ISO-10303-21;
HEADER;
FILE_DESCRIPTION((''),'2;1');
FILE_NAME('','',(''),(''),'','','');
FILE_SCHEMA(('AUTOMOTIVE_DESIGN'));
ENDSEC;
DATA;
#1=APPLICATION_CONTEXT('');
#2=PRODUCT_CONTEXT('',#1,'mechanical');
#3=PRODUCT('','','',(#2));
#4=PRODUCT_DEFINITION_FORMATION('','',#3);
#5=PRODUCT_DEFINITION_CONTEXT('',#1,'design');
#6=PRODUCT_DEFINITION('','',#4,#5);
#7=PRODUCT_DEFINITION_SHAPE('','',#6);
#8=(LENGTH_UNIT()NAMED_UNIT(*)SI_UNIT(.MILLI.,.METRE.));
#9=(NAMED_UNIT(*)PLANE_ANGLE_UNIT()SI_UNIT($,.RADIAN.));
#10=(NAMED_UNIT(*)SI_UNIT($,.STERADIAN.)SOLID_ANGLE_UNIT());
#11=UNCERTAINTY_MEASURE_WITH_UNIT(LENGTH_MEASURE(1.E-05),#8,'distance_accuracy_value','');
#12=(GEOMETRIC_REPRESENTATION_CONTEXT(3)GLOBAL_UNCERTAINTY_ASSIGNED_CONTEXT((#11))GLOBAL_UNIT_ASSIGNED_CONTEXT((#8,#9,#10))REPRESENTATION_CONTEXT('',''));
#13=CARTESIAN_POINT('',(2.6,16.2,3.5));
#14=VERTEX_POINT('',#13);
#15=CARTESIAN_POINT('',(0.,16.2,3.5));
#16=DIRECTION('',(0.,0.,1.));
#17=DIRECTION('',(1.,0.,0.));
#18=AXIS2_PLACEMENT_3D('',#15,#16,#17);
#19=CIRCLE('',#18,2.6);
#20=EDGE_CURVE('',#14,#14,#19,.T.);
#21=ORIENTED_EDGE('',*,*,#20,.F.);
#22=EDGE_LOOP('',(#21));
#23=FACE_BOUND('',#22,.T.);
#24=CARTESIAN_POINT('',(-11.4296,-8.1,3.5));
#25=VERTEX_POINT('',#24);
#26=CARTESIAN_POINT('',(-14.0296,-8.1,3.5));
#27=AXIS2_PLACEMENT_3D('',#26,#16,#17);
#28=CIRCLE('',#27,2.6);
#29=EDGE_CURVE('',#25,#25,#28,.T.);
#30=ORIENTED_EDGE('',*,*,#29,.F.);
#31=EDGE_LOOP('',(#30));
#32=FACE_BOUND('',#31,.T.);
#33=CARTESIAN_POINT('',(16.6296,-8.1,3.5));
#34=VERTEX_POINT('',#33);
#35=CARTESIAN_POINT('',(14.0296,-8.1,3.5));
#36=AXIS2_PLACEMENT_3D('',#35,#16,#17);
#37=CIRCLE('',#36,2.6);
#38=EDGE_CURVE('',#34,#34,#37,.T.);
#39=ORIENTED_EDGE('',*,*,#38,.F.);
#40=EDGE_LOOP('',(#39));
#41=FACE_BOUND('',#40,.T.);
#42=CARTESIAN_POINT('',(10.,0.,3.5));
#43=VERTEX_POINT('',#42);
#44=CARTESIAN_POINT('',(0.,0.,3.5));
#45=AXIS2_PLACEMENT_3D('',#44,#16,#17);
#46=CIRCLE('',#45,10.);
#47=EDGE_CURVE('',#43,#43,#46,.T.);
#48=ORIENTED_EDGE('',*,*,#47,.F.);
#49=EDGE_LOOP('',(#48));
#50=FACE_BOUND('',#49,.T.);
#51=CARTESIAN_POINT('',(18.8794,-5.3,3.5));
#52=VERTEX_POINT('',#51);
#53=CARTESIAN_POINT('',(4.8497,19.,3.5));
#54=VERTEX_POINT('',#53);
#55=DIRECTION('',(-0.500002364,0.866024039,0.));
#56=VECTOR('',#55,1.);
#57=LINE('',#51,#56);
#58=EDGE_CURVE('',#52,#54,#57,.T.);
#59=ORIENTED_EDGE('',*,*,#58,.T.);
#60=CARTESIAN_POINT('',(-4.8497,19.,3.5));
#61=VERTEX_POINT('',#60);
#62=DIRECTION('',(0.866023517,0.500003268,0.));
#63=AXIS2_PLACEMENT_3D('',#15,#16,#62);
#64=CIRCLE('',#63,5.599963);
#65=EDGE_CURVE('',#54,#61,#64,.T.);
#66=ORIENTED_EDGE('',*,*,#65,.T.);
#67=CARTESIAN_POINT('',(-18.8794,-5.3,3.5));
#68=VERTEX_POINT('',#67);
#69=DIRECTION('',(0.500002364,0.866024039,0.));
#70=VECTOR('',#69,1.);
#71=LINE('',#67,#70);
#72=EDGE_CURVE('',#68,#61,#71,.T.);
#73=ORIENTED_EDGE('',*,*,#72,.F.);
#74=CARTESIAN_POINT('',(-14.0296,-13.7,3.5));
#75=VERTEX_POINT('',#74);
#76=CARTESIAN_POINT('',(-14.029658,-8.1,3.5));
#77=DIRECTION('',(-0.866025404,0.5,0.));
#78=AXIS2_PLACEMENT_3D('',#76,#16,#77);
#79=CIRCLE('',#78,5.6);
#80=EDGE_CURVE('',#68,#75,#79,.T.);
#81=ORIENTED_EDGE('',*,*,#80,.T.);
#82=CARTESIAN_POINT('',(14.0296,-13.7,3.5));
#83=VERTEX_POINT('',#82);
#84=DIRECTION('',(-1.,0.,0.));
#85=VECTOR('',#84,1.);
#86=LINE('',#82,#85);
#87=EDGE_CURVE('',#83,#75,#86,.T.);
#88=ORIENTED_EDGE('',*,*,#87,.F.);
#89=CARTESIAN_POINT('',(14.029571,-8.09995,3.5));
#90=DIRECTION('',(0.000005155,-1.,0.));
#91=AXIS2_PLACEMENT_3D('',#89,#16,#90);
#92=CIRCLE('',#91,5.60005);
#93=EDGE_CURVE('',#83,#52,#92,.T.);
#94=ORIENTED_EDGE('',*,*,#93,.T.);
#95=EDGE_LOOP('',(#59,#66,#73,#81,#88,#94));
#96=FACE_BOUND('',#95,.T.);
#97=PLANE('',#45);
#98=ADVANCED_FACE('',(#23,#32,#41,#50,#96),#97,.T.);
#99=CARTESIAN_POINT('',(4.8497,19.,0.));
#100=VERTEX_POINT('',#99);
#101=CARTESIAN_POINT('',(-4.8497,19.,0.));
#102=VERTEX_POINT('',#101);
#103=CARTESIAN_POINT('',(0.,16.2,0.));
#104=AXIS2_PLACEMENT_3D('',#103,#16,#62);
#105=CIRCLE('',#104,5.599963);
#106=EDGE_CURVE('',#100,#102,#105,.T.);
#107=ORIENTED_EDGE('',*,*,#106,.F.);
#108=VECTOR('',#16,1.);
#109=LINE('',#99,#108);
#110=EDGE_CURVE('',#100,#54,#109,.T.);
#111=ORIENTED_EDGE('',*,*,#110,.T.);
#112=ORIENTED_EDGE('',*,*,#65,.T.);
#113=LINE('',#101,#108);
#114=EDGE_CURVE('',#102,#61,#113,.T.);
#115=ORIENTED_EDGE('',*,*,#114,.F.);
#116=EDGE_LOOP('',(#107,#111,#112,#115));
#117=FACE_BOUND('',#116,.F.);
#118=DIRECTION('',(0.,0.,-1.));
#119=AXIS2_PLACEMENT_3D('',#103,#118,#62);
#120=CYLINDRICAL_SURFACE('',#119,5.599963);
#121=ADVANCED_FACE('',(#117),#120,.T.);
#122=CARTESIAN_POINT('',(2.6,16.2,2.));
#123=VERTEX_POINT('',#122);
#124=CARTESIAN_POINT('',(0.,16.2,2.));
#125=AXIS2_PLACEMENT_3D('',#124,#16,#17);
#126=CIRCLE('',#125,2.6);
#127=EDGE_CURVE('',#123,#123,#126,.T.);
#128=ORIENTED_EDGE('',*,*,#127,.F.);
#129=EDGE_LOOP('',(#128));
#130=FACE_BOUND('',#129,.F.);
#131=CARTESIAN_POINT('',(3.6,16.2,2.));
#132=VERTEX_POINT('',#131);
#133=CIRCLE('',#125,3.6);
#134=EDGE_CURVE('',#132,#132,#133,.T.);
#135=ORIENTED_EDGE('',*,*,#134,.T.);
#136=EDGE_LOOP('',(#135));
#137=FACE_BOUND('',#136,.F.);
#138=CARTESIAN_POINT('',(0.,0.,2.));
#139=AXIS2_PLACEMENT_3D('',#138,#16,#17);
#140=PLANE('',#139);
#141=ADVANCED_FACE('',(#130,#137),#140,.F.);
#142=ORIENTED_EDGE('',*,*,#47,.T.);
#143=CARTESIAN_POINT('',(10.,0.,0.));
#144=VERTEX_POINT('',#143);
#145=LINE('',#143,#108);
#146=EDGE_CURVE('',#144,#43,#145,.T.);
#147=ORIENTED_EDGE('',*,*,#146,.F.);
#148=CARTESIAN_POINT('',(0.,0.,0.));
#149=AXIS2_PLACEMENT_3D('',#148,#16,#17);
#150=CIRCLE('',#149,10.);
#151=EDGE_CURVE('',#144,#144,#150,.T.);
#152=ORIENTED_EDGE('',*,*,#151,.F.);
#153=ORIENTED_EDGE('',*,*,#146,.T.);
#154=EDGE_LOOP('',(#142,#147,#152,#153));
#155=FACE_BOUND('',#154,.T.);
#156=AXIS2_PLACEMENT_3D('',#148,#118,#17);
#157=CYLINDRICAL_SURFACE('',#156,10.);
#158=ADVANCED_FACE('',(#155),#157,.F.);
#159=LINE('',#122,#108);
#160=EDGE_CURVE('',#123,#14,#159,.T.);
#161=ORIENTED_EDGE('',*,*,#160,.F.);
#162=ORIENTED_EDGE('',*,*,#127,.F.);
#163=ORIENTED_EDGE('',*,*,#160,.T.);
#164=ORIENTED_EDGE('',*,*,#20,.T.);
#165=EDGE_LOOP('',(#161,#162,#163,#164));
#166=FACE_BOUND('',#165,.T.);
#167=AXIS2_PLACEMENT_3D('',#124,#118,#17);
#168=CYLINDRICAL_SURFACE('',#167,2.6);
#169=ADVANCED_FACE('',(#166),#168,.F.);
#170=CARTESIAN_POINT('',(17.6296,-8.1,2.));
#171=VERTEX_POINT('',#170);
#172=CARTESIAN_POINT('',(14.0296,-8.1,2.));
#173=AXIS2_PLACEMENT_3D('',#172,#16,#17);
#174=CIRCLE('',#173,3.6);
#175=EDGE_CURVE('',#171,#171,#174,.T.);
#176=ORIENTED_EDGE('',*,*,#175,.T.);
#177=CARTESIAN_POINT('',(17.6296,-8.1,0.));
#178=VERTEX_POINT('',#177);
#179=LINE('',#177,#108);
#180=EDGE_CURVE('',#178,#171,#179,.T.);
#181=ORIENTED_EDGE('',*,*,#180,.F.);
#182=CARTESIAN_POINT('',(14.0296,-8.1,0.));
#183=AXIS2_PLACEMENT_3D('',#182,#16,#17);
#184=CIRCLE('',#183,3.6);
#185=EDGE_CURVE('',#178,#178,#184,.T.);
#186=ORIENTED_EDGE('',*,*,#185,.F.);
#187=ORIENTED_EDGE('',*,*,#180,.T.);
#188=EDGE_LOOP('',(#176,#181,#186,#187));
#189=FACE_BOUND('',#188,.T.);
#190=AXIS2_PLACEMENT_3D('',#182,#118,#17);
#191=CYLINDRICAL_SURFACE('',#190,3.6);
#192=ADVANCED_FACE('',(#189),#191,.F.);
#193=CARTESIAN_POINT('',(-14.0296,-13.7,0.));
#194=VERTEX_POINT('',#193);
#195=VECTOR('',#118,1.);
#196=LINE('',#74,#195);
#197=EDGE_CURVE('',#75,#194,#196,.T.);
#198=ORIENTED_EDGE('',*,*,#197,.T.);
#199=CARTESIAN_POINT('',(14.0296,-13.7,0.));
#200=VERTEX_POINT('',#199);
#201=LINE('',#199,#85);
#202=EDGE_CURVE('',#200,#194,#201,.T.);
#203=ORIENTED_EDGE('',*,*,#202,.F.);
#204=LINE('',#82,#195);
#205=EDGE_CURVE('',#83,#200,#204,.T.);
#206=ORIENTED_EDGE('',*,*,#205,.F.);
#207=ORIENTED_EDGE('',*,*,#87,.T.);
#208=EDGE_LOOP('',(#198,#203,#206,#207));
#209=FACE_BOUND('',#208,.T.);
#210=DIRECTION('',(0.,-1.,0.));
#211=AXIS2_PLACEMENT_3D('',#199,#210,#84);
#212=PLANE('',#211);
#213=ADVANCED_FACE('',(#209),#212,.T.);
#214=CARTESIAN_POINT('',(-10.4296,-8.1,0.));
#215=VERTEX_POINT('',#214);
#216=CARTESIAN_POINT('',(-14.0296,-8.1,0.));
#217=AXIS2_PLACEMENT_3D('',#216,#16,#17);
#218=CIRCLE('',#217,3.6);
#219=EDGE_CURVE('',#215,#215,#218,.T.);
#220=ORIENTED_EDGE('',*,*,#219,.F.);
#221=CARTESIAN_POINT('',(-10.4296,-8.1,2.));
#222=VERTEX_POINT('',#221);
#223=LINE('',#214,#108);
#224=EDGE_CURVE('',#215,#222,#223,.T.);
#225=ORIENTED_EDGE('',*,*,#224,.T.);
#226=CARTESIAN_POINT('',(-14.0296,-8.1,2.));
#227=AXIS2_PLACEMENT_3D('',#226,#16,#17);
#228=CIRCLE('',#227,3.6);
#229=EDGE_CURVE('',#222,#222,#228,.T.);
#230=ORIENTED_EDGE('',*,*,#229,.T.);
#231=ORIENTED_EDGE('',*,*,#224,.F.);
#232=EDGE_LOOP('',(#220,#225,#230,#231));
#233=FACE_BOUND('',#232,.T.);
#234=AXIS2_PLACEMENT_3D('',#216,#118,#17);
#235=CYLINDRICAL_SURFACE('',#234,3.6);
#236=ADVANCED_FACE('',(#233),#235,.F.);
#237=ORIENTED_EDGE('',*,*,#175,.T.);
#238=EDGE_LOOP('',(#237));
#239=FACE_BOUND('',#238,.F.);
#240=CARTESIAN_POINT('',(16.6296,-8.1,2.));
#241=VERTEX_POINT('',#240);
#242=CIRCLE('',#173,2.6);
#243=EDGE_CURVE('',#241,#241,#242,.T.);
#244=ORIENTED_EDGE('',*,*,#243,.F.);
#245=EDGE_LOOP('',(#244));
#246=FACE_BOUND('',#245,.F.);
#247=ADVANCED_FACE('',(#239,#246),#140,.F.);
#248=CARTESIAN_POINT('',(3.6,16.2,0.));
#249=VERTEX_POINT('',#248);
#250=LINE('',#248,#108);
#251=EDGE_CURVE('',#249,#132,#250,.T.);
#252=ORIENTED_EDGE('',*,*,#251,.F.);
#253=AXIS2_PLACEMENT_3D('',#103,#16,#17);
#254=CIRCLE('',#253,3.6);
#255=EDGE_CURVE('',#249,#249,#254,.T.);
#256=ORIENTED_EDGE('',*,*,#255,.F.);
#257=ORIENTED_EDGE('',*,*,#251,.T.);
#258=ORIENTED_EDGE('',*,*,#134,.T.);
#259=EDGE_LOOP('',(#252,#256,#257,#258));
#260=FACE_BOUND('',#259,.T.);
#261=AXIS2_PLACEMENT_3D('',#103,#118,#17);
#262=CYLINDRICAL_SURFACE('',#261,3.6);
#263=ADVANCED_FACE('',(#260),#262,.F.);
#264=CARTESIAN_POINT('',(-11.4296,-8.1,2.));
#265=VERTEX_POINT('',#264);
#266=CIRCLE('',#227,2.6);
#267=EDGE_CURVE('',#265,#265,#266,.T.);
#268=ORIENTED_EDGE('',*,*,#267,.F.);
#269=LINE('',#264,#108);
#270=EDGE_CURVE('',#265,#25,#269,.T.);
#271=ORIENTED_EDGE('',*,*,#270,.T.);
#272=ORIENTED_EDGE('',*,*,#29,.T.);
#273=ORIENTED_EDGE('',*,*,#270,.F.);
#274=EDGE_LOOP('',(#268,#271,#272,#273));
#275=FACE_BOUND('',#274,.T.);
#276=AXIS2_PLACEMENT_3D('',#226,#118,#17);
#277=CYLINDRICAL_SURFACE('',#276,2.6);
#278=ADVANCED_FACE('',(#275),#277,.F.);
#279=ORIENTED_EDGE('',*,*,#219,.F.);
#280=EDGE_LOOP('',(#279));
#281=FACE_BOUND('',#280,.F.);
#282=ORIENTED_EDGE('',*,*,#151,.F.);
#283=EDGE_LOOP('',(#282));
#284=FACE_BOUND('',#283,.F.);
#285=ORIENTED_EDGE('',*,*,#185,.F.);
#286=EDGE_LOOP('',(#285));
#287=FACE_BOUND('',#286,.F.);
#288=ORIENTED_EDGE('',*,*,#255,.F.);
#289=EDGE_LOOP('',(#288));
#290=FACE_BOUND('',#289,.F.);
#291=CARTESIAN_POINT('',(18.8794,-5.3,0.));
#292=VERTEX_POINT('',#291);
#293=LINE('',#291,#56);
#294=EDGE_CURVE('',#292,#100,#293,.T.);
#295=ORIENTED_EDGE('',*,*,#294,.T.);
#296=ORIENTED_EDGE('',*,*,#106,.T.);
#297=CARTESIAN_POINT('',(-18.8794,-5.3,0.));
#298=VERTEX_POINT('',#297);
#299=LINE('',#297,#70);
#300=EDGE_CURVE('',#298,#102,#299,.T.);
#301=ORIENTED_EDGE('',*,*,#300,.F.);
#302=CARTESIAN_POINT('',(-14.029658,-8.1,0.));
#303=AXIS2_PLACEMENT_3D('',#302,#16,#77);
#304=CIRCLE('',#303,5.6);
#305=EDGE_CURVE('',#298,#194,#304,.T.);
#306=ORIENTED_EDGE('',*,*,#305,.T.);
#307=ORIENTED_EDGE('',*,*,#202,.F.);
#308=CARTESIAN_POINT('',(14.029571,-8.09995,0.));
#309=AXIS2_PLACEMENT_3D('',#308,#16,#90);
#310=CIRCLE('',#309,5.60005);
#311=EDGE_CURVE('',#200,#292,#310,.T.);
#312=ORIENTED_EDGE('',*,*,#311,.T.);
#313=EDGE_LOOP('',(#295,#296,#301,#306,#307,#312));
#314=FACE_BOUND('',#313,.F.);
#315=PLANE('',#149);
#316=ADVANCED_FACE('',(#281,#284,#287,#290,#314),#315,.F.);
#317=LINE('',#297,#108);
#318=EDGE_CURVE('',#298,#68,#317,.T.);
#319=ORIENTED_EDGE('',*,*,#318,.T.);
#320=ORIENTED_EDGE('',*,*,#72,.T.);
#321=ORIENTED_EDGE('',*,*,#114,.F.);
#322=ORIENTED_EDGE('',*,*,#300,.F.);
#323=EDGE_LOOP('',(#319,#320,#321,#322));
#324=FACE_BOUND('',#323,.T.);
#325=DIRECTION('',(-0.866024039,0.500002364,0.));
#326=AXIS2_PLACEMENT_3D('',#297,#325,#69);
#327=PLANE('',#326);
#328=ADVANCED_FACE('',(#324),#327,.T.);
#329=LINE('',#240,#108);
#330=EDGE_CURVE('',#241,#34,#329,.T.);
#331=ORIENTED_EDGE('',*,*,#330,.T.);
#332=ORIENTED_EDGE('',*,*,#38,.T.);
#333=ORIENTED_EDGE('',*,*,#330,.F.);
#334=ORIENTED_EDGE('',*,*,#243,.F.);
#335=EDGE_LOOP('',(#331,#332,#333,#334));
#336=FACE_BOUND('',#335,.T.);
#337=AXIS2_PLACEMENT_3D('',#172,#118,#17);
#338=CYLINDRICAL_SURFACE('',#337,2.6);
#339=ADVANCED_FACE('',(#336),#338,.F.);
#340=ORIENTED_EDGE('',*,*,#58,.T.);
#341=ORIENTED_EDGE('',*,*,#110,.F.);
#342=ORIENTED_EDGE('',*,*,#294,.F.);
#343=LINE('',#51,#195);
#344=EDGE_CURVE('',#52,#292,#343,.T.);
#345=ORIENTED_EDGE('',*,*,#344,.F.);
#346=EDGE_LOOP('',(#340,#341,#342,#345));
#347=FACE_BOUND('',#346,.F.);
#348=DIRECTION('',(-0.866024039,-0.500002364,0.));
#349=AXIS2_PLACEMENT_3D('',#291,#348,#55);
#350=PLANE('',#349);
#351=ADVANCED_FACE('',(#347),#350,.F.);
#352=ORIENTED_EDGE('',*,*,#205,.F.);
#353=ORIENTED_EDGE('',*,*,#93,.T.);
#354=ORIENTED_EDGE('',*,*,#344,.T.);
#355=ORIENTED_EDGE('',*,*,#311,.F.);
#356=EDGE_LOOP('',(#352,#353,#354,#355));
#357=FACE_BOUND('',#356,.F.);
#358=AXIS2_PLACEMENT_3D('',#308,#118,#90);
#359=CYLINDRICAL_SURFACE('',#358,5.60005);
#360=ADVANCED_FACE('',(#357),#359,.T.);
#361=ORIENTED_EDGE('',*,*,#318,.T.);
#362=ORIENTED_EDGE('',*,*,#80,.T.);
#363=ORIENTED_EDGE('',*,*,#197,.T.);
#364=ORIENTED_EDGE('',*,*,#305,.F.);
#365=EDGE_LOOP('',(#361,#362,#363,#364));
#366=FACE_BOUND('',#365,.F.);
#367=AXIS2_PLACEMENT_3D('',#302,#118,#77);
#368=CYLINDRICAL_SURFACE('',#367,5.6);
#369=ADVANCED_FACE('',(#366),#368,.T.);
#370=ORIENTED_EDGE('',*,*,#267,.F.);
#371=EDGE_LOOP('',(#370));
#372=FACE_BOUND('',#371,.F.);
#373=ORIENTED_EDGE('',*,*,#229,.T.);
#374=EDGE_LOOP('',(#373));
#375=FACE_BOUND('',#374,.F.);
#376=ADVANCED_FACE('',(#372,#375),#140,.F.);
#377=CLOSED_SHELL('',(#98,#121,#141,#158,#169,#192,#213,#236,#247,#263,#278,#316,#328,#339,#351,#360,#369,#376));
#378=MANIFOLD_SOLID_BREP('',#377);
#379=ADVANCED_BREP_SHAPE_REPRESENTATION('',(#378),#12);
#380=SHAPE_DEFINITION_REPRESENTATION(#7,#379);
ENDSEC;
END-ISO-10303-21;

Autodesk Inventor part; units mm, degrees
ref_plane "YZ Plane" through (0, 0, 0) normal (1, 0, 0) x (0, 1, 0)
ref_plane "XZ Plane" through (0, 0, 0) normal (0, 1, 0) x (-1, 0, 0)
ref_plane "XY Plane" through (0, 0, 0) normal (0, 0, 1) x (1, 0, 0)
sketch "Skizze1" plane through (0, 0, 0) normal (0, 0, 1) x (1, 0, 0)
  line L0 (-29.8259, 0) -> (29.8259, 0) construction
  circle A0 centre (0, 0) radius 16.2 construction
  circle A1 centre (0, 16.2) radius 3.6
  circle A2 centre (14.0296, -8.1) radius 3.6
  circle A3 centre (-14.0296, -8.1) radius 3.6
  line L1 (0, 0) -> (-14.0296, -8.1) construction
  line L2 (0, 0) -> (14.0296, -8.1) construction
  circle A4 centre (0, 16.2) radius 2.6
  circle A5 centre (-14.0296, -8.1) radius 2.6
  circle A6 centre (14.0296, -8.1) radius 2.6
  arc A7 (4.8497, 19) -> (-4.8497, 19) centre (0, 16.2) ccw
  arc A8 (-18.8794, -5.3) -> (-14.0296, -13.7) centre (-14.0296, -8.1) ccw
  line L3 (14.0296, -13.7) -> (-14.0296, -13.7)
  line L4 (-18.8794, -5.3) -> (-4.8497, 19)
  line L5 (18.8794, -5.3) -> (4.8497, 19)
  arc A9 (14.0296, -13.7) -> (18.8794, -5.3) centre (14.0296, -8.1) ccw
  line L6 (0, 29.4) -> (0, -23.8) construction
  line L7 (0, 0) -> (0, 16.2) construction
  circle A10 centre (0, 0) radius 10
  dimension "d0" = 7.2
  dimension "d1" = 32.4
  dimension "d2" = 120
  dimension "d8" = 1
  dimension "d12" = 2
  dimension "d13" = 120
  dimension "d14" = 20
extrude "Extrusion1" add sketch "Skizze1" along normal blind 2 contours L5 A9 L3 A8 L4 A7
extrude "Extrusion3" add sketch "Skizze1" along normal blind 1.5 from surface at 2 contours A1 | A2 | A3 | L5 A9 L3 A8 L4 A7
equation "\"d13\" = d2"
properties part number "Rotor"
